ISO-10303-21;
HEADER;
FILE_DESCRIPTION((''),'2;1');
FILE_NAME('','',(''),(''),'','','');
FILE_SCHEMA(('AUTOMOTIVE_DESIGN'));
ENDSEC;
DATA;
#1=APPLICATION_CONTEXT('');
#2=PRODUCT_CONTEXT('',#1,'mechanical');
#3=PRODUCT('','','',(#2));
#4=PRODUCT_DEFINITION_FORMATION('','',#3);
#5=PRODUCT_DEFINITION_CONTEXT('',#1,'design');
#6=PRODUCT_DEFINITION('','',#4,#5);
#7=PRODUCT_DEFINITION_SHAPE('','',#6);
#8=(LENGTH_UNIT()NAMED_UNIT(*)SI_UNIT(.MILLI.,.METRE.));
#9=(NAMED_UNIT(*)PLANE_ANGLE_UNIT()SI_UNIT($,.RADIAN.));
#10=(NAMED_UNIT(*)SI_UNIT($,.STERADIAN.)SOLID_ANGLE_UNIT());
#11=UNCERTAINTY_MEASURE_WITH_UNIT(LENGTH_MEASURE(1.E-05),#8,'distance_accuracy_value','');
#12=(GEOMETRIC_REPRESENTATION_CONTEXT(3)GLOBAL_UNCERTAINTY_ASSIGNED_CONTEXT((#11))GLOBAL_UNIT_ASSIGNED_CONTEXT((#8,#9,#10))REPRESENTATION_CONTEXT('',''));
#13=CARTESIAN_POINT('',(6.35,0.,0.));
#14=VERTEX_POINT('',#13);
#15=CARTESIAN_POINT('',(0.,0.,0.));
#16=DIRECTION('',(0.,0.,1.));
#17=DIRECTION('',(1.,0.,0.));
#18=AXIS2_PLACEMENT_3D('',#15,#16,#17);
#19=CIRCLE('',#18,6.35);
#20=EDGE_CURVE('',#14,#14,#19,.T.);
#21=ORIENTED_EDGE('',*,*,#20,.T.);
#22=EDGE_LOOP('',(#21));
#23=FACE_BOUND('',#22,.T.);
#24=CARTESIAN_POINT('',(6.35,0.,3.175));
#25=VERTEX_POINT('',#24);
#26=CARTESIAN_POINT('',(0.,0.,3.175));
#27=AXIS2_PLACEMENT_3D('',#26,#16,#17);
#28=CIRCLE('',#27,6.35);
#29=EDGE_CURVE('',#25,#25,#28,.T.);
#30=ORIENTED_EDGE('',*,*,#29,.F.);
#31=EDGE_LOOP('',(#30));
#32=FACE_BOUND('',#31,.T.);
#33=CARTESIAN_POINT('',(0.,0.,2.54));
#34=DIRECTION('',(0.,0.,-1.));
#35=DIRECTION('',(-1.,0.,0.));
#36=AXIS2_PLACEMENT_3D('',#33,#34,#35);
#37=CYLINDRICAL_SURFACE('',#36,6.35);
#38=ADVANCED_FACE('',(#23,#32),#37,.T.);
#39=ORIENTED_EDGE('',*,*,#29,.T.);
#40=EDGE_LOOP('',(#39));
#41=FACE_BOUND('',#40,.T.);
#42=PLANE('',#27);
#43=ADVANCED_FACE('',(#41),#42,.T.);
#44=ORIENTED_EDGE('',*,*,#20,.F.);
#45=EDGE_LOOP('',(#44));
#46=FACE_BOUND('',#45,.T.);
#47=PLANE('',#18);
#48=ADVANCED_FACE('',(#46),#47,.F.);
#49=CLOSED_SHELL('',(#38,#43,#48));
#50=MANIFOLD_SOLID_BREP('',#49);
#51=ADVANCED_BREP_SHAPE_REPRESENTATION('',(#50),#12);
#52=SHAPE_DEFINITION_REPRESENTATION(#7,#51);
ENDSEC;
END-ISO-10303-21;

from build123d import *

# Parameters (mm, degrees)
SKETCH1_R           = 6.35
BOSS_EXTRUDE1_DEPTH = 2.54
SKETCH1_2_R         = 6.35
BOSS_EXTRUDE2_DEPTH = 3.175


with BuildPart() as part:
    # Sketch1 → Boss-Extrude1 (new body)
    with BuildSketch(Plane.XY):
        Circle(SKETCH1_R)
    extrude(amount=BOSS_EXTRUDE1_DEPTH)

    # Sketch1<2> → Boss-Extrude2 (add)
    with BuildSketch(Plane.XY):
        Circle(SKETCH1_2_R)
    extrude(amount=BOSS_EXTRUDE2_DEPTH)


solid = part.part
